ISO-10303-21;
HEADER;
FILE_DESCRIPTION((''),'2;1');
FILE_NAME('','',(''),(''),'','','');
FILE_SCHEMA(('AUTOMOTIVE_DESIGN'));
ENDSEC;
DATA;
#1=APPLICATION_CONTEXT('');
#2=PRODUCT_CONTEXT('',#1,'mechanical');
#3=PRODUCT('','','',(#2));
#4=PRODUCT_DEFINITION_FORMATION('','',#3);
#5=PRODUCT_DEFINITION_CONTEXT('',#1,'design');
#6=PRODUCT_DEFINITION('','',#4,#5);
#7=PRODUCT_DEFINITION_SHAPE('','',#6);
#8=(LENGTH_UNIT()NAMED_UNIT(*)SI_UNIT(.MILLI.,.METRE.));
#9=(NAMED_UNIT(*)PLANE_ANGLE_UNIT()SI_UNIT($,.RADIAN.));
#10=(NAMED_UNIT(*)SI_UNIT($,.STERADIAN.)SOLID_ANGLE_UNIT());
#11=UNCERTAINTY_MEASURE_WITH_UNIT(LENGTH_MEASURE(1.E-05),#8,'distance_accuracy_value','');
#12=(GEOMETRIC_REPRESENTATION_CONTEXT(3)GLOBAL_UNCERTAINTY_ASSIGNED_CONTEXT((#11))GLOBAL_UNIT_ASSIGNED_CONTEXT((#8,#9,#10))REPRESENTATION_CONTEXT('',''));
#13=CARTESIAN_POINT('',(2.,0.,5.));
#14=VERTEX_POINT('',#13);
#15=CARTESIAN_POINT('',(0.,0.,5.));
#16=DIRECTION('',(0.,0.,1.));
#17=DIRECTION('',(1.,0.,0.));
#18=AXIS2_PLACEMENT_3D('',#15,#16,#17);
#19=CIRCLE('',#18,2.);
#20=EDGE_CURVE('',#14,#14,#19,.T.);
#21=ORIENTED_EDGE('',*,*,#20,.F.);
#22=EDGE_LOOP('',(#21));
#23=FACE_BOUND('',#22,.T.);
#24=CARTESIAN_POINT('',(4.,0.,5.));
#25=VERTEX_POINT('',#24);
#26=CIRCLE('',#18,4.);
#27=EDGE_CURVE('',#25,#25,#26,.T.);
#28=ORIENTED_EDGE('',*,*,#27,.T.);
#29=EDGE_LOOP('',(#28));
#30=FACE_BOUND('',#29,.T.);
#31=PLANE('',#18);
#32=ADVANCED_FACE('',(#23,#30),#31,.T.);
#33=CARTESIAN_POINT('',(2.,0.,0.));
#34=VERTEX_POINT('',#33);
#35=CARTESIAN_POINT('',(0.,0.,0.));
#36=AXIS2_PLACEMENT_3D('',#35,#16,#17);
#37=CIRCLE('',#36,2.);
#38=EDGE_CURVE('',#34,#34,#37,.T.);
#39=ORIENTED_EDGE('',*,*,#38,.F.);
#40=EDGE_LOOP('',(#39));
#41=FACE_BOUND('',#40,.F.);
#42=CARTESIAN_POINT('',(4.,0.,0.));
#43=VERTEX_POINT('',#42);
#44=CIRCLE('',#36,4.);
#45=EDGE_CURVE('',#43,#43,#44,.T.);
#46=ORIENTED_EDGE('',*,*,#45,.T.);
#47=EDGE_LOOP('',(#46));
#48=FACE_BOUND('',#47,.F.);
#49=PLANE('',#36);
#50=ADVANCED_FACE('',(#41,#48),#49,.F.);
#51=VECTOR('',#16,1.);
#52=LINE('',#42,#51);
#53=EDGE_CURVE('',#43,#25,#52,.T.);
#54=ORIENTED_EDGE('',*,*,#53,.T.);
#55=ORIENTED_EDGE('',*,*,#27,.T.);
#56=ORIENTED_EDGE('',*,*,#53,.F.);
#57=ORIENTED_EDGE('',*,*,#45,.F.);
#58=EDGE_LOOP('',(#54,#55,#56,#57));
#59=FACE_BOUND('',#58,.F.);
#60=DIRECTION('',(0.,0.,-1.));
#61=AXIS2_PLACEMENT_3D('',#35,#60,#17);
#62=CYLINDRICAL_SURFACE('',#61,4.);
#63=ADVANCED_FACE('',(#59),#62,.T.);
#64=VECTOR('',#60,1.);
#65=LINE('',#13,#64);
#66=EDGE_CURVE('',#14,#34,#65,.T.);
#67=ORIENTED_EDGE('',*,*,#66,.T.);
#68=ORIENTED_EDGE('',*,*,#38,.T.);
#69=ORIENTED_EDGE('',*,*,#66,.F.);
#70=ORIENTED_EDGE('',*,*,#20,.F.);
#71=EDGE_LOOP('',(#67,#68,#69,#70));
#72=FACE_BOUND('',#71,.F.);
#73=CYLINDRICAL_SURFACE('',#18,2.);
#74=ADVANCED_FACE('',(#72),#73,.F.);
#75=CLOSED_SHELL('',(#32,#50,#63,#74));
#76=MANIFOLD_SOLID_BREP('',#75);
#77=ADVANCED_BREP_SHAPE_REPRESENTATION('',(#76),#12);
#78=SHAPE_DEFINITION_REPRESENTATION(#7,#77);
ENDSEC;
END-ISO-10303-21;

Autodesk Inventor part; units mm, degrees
ref_plane "YZ Plane" through (0, 0, 0) normal (1, 0, 0) x (0, 1, 0)
ref_plane "XZ Plane" through (0, 0, 0) normal (0, 1, 0) x (-1, 0, 0)
ref_plane "XY Plane" through (0, 0, 0) normal (0, 0, 1) x (1, 0, 0)
sketch "スケッチ1" plane through (0, 0, 0) normal (0, 0, 1) x (1, 0, 0)
  circle A0 centre (0, 0) radius 4
  dimension "d0" = 8
extrude "押し出し1" add sketch "スケッチ1" along normal blind 5
sketch "スケッチ2" plane through (0, 0, 5) normal (0, 0, 1) x (1, 0, 0)
  circle A0 centre (0, 0) radius 2
  dimension "d3" = 4
extrude "押し出し2" cut sketch "スケッチ2" against normal blind 5
properties part number "スペーサーm4-5　作る？" material "アルミニウム 2014-T4"
